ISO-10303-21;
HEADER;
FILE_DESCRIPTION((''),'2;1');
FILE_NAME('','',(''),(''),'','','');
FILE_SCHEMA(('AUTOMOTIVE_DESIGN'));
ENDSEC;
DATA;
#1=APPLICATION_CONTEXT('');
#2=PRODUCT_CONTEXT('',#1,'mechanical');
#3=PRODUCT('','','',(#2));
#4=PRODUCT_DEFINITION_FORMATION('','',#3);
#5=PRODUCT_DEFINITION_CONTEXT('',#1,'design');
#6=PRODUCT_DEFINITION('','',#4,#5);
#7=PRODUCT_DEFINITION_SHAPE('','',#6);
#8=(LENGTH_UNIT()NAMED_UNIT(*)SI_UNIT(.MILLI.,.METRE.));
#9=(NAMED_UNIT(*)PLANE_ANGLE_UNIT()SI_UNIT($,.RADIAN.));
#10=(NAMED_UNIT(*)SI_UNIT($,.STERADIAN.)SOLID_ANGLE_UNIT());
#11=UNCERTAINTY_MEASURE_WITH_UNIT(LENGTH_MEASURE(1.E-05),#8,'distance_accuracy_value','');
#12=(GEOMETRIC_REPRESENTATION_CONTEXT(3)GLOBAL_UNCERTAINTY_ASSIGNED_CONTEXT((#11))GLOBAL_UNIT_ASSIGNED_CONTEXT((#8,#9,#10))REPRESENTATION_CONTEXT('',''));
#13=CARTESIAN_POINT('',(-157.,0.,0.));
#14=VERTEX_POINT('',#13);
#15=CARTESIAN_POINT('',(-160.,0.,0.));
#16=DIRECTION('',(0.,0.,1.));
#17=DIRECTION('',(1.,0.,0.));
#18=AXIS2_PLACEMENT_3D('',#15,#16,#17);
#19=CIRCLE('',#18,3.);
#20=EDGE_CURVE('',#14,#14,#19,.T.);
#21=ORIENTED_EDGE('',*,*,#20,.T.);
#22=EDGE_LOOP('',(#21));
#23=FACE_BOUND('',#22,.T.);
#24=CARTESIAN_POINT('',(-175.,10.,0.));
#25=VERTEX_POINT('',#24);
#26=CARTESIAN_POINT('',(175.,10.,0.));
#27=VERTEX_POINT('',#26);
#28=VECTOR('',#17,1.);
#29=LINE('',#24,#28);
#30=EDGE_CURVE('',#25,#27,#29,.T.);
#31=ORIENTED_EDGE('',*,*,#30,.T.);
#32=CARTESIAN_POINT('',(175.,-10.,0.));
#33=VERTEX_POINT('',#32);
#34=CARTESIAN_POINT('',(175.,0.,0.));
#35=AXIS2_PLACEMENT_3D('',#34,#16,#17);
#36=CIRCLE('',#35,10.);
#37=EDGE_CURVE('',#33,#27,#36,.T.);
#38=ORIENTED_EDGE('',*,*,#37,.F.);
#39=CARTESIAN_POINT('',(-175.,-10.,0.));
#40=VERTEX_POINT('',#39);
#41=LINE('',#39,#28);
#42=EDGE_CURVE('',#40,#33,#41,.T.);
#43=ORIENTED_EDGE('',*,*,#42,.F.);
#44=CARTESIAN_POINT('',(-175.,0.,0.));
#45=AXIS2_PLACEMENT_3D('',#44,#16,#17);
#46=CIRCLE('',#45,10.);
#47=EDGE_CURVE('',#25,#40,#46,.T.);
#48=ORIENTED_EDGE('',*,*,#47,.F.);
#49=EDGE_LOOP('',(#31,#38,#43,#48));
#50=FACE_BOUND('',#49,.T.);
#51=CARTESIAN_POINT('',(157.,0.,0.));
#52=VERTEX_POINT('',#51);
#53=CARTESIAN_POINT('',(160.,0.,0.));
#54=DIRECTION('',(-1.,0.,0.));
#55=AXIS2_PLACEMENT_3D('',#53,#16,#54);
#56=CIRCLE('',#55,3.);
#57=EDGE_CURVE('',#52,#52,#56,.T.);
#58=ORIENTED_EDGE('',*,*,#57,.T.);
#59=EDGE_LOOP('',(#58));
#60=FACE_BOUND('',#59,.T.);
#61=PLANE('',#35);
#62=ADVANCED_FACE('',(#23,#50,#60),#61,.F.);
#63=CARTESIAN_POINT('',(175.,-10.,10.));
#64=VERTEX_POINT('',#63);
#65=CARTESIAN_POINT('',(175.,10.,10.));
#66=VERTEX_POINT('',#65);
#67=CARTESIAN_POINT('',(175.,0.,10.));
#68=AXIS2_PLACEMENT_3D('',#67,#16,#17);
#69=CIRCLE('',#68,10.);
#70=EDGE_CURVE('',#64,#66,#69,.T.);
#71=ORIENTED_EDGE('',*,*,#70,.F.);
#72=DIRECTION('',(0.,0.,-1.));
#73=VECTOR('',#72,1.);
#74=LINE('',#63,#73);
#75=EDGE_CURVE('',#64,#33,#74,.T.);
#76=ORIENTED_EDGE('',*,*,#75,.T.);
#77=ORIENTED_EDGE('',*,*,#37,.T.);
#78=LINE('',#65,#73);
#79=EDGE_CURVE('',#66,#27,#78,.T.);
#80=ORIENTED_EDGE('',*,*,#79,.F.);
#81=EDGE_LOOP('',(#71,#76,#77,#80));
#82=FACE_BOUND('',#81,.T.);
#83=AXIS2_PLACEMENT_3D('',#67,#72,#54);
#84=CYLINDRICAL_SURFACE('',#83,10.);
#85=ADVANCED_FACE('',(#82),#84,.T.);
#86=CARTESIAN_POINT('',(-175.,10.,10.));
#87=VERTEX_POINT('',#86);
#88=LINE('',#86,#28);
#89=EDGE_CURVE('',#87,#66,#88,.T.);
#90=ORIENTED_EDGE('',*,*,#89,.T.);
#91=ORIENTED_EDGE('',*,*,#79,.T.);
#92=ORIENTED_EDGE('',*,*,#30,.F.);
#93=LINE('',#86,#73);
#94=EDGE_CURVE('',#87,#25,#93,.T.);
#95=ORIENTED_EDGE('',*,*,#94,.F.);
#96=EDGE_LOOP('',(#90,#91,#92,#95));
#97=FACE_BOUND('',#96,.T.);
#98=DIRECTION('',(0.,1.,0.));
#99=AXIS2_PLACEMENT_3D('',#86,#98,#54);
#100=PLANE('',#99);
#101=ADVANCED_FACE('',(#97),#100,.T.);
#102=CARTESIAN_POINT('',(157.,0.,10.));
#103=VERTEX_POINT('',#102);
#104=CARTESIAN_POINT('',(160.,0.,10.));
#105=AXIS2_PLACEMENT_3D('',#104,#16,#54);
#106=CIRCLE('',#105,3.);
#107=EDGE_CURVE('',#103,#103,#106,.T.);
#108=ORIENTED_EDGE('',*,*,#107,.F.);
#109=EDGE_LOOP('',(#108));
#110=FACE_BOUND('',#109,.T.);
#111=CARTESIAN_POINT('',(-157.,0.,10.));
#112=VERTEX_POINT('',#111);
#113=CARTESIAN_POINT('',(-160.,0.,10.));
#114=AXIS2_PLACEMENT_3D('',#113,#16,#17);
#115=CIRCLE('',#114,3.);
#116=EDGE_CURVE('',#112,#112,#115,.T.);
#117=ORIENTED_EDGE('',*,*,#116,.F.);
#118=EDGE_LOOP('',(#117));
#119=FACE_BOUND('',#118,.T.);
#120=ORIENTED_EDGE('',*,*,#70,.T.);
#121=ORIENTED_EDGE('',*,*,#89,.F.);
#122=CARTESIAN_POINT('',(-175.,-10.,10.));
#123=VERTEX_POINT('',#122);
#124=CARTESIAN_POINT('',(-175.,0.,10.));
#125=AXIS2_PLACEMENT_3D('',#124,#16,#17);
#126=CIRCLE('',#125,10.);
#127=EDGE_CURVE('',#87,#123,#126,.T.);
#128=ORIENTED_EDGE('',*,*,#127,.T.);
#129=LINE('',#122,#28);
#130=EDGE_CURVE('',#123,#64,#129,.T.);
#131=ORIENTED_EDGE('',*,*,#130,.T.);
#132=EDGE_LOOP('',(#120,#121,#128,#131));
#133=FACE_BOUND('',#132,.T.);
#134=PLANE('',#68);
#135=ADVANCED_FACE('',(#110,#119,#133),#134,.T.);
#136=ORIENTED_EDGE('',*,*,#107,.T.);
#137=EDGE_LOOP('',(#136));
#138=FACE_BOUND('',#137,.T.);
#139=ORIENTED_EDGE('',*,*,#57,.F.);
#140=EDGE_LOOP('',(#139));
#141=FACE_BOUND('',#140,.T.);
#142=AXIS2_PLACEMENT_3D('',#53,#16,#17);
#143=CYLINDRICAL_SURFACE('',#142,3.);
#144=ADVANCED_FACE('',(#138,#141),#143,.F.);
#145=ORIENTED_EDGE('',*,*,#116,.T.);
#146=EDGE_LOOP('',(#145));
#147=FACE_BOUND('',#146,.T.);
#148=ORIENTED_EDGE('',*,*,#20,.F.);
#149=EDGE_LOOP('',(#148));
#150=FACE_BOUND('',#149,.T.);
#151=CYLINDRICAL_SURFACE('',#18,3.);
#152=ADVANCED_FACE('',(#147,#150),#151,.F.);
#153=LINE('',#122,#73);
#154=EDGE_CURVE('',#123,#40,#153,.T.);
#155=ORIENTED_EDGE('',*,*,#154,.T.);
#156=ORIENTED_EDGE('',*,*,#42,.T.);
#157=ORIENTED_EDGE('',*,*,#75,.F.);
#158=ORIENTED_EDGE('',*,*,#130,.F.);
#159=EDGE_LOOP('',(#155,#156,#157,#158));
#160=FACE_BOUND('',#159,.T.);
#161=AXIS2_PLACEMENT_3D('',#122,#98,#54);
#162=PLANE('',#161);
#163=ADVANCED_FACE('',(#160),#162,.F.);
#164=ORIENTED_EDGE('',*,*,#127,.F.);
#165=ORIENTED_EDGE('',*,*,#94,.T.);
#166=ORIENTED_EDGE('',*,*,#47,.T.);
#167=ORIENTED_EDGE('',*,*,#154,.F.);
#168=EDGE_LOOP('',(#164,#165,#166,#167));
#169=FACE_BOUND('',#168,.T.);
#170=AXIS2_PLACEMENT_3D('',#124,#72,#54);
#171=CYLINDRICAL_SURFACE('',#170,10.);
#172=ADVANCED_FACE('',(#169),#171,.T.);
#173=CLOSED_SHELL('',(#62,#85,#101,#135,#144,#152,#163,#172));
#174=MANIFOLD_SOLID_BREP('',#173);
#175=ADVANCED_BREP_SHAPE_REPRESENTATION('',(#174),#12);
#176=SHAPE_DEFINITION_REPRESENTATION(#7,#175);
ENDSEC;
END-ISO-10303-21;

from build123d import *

# Parameters (mm, degrees)
BOSS_EXTRUDE2_DEPTH = 10
SKETCH3_R           = 3
CUT_EXTRUDE2_DEPTH  = 186.539753153


with BuildPart() as part:
    # Sketch1 → Boss-Extrude2 (new body)
    with BuildSketch(Plane.XY):
        with BuildLine():
            Line((-175, 10), (175, 10))
            ThreePointArc((175, 10), (185, 0), (175, -10))
            Line((175, -10), (-175, -10))
            ThreePointArc((-175, -10), (-185, 0), (-175, 10))
        make_face()
    extrude(amount=BOSS_EXTRUDE2_DEPTH)

    # Sketch3 → Cut-Extrude2 (cut, through all)
    with BuildSketch(Plane.XY.offset(10)):
        with Locations((-160, 0)):
            Circle(SKETCH3_R)
        with Locations(Location((160, 0, 0), (0, 0, 180))):
            Circle(SKETCH3_R)
    extrude(amount=-CUT_EXTRUDE2_DEPTH, mode=Mode.SUBTRACT)


solid = part.part
